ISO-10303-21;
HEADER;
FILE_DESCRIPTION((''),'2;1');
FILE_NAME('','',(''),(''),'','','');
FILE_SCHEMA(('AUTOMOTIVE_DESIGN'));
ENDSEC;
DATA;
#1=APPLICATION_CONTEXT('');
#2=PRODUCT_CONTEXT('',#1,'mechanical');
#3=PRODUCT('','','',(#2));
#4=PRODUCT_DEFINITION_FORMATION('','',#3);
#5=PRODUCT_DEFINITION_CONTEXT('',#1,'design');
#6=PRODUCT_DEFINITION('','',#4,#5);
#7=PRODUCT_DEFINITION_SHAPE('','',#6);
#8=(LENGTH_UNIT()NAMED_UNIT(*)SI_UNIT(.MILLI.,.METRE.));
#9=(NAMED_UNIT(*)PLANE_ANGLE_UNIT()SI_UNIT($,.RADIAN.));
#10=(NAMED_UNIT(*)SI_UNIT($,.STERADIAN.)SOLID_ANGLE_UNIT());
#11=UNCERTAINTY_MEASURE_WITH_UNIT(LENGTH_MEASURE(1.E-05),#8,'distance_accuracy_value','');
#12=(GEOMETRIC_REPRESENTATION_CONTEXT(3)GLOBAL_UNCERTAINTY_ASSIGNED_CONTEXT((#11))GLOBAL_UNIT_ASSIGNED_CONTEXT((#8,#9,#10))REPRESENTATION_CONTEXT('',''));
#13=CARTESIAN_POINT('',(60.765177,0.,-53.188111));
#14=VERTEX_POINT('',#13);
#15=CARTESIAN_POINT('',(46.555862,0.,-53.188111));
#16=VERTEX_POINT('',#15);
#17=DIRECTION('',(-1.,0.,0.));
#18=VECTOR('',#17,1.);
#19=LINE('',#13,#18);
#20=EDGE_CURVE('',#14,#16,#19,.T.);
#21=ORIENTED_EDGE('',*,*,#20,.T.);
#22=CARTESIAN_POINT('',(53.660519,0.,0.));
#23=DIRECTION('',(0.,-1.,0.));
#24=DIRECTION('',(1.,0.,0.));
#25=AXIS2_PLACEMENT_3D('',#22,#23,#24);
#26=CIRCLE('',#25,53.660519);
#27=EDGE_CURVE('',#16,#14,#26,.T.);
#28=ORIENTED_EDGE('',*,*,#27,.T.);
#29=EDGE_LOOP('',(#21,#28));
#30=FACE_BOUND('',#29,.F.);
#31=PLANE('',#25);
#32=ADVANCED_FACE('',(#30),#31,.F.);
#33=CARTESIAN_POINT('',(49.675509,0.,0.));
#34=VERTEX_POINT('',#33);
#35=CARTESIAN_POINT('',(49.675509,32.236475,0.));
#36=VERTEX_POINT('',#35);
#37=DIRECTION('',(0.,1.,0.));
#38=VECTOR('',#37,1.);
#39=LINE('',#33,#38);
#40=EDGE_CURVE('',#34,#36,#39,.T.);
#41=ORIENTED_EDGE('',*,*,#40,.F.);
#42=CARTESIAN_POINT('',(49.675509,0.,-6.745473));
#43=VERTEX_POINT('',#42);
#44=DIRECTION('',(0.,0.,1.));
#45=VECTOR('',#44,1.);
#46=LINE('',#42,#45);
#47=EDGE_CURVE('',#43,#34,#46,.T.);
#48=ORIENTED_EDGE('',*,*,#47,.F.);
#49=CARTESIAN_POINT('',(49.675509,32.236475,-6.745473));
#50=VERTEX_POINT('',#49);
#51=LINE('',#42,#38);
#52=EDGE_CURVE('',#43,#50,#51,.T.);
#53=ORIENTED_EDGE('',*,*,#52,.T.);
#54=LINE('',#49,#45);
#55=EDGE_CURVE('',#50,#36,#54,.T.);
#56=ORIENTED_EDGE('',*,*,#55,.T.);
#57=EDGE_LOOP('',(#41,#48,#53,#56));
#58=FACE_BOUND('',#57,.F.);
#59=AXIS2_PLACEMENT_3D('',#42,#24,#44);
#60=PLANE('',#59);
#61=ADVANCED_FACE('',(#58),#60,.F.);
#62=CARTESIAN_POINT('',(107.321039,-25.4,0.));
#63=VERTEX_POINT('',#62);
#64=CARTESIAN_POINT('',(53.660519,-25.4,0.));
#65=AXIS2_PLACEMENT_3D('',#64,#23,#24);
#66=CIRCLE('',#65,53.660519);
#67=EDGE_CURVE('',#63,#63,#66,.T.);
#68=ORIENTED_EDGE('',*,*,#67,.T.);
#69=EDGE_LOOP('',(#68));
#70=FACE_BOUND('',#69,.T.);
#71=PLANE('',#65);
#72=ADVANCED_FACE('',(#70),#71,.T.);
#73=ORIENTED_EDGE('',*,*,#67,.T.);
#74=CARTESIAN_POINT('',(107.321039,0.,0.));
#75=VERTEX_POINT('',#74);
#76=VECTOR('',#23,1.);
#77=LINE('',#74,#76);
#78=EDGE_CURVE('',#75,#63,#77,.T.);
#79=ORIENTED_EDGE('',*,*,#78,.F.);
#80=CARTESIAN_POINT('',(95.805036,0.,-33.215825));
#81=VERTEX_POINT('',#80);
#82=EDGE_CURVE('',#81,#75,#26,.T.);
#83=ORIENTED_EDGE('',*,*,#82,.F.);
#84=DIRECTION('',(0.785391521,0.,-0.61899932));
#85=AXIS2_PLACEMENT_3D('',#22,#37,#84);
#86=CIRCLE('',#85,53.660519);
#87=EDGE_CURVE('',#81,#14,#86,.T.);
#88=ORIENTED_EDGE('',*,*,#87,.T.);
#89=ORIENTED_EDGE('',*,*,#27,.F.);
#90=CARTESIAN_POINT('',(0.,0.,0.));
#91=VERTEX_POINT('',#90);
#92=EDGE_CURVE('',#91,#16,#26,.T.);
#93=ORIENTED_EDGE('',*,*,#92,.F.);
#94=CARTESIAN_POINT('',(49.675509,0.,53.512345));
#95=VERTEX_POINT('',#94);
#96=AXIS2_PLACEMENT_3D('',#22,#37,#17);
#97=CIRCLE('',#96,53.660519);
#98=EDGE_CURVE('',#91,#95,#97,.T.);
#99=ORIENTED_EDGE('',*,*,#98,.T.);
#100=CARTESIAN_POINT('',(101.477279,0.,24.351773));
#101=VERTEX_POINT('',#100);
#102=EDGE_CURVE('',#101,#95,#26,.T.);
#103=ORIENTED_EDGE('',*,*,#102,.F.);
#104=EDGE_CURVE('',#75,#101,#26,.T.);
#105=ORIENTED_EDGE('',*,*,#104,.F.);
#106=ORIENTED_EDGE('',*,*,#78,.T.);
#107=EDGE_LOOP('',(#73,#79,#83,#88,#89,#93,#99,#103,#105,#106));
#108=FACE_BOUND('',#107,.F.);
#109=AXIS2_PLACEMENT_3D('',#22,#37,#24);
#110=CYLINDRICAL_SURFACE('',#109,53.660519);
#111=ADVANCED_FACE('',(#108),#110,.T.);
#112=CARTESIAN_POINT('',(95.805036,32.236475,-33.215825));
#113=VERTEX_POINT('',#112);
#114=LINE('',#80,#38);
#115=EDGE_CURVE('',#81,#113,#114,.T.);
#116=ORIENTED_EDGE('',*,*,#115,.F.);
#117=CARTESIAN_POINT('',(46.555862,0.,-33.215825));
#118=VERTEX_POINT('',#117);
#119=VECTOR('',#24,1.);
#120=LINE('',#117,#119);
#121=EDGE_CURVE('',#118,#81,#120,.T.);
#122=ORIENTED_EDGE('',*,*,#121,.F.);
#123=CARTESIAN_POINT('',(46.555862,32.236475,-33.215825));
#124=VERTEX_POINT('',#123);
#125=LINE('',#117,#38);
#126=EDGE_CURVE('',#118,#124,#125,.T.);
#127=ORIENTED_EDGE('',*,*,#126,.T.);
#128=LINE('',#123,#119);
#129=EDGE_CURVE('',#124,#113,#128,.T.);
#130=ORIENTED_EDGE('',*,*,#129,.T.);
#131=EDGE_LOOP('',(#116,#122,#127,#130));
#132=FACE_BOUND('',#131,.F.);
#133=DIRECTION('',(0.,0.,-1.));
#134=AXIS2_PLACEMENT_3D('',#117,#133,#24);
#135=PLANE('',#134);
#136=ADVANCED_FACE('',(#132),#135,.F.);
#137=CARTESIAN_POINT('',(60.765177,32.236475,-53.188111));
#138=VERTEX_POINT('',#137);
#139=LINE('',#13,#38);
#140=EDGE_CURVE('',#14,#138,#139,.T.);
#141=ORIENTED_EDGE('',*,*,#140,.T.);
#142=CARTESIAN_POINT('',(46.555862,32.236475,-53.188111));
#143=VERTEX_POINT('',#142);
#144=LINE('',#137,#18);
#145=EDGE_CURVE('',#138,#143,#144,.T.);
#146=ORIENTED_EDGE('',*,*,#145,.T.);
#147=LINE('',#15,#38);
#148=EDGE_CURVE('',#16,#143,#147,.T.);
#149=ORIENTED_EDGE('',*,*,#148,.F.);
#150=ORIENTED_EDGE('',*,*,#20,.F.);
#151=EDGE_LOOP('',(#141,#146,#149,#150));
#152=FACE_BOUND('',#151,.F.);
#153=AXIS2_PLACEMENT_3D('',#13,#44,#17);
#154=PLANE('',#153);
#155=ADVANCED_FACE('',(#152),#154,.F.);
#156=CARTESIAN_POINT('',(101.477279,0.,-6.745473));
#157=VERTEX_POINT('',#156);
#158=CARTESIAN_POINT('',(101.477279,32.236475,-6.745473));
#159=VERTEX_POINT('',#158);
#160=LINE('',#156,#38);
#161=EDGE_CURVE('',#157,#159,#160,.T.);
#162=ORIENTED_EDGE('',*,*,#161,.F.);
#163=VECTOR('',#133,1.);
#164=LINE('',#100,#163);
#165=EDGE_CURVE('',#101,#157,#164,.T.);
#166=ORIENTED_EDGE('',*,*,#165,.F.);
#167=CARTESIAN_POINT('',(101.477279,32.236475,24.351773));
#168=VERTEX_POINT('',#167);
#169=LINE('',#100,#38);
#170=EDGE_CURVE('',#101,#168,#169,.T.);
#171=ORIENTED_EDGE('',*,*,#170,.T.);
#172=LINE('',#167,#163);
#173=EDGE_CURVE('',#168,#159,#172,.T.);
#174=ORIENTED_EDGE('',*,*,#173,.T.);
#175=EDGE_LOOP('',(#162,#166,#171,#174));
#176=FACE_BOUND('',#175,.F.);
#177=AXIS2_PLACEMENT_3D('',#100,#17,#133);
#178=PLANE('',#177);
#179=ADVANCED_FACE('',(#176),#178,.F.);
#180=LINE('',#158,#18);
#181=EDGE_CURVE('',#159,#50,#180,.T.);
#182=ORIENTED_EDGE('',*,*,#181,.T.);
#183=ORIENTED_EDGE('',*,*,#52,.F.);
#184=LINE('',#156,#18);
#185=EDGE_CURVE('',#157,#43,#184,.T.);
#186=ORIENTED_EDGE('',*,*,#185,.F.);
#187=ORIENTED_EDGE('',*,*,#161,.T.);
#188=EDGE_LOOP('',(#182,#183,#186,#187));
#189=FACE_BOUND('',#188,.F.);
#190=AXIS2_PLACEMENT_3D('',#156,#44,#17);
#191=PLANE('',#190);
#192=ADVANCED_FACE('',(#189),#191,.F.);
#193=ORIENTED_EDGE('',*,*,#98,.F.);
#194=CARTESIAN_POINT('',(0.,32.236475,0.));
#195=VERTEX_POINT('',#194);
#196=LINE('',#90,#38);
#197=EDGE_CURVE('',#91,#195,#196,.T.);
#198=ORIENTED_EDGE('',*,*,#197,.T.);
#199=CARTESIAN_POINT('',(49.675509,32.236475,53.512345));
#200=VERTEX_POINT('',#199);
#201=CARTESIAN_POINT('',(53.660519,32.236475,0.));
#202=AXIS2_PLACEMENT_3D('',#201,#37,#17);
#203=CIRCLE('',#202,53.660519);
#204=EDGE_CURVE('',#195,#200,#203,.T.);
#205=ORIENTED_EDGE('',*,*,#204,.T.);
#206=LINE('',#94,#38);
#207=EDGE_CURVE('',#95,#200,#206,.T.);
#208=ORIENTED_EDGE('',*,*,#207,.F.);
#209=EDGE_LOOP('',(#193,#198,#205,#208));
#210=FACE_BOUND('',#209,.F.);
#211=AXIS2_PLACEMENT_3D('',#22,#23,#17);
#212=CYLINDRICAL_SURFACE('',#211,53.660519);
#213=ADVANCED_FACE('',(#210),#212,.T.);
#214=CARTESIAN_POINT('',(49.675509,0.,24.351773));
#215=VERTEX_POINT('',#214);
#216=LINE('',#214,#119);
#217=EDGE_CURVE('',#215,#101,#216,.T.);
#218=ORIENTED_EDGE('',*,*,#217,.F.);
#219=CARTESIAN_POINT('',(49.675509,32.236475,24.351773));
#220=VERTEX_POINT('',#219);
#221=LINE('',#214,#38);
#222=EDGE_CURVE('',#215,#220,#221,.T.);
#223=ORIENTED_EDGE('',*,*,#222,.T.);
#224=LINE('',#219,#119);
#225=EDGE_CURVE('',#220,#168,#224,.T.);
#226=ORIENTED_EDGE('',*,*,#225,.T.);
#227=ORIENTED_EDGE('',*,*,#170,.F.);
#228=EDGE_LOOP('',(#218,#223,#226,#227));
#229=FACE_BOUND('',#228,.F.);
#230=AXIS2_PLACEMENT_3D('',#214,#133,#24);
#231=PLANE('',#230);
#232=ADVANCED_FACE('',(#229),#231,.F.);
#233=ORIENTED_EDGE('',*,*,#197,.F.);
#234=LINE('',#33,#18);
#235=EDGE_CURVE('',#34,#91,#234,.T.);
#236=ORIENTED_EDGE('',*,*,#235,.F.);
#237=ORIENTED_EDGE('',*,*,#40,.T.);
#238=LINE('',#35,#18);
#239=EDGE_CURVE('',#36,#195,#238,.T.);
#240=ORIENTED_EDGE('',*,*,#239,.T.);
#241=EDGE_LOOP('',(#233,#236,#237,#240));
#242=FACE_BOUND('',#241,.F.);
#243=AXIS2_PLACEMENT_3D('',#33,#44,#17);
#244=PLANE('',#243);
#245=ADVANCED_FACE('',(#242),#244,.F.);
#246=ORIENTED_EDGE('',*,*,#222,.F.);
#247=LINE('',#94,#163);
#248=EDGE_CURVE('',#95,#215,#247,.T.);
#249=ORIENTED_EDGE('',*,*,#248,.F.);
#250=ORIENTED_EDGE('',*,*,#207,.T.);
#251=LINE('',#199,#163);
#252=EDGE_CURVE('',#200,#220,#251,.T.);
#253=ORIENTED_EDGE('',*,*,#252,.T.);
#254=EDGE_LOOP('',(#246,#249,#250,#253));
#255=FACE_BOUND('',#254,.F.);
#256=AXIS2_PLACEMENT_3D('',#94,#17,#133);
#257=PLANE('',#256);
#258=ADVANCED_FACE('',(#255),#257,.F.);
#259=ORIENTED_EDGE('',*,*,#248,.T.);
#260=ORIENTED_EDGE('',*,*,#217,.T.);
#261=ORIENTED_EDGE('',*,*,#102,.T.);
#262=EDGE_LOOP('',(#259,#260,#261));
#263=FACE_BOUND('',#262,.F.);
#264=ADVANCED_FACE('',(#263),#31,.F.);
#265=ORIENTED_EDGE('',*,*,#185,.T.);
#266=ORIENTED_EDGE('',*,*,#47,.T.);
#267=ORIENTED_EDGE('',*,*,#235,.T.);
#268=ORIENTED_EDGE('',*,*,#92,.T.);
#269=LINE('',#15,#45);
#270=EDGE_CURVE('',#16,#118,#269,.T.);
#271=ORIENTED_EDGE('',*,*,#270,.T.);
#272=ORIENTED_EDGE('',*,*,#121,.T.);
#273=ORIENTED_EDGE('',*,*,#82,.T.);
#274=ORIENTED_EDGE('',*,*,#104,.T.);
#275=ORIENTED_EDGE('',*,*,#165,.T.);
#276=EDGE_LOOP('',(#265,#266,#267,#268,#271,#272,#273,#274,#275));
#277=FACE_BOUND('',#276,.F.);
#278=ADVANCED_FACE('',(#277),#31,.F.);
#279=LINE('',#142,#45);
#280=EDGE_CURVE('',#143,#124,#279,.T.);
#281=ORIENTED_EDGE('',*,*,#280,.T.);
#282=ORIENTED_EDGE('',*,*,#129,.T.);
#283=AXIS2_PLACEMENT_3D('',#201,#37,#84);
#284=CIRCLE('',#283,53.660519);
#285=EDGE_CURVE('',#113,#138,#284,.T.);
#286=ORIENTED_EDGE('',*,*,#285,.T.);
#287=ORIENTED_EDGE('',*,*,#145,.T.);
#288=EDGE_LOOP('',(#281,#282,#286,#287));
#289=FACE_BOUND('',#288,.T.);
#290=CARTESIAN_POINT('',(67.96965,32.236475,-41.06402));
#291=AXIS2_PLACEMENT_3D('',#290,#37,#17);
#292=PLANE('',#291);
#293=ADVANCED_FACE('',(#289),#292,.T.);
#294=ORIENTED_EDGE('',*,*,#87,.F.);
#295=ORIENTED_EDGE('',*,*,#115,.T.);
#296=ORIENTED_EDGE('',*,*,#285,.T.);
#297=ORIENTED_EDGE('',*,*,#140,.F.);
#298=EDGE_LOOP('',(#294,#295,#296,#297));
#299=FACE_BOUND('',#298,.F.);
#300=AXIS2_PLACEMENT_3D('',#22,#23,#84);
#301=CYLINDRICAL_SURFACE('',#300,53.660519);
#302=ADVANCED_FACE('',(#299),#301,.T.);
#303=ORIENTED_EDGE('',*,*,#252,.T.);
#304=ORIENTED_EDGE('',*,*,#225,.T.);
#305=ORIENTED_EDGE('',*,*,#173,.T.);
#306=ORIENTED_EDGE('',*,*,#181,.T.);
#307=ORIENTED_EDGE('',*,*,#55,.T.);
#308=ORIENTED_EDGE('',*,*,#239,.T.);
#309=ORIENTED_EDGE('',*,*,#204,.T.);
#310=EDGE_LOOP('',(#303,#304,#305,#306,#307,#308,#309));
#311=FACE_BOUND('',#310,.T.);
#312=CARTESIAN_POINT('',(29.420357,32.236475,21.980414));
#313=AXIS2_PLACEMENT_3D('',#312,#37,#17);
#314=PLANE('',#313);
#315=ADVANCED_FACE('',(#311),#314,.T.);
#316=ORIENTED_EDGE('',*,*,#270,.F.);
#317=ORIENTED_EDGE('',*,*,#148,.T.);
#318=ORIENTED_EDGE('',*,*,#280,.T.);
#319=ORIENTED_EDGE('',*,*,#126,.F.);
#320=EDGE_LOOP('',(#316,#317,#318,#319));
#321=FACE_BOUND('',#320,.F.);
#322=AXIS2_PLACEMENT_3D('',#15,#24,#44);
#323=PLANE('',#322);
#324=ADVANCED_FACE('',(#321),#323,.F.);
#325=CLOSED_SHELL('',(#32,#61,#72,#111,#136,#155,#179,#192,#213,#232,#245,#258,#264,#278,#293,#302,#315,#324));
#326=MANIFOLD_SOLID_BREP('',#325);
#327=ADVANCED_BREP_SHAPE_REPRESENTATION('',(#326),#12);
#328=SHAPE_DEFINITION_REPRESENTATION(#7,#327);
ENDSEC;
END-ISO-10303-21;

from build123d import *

# Parameters (mm, degrees)
F0_R     = 53.6605194211
F1_DEPTH = 25.4
F3_DEPTH = 32.2364754975


with BuildPart() as f1:
    # F0 (on Front) → F1 (new body)
    with BuildSketch(Plane.XZ):
        with Locations((53.6605194211, 0)):
            Circle(F0_R)
    extrude(amount=F1_DEPTH)

    # F2 (on face) → F3 (join)
    with BuildSketch(Plane(origin=(0, 0, 0), x_dir=(-1, 0, 0), z_dir=(0, 1, 0))):
        with BuildLine():
            Line((-49.6755093336, 24.3517733055), (-49.6755093336, 0))
            Line((-49.6755093336, 0), (0, 0))
            ThreePointArc((0, 0), (-14.3331176779, 36.5076268289), (-49.6755093336, 53.512344736))
            Line((-49.6755093336, 53.512344736), (-49.6755093336, 24.3517733055))
        make_face()
        Polygon((-101.477278841, -6.7454725504), (-49.6755093336, -6.7454725504), (-49.6755093336, 0), (-49.6755093336, 24.3517733055), (-101.477278841, 24.3517733055), align=None)
        with BuildLine():
            Line((-46.5558620227, -33.2158250568), (-49.6755093336, -33.2158250568))
            Line((-49.6755093336, -33.2158250568), (-95.8050363876, -33.2158250568))
            ThreePointArc((-95.8050363876, -33.2158250568), (-80.2329364873, -46.6192878088), (-60.7651768195, -53.1881113388))
            Line((-60.7651768195, -53.1881113388), (-46.5558620227, -53.1881113388))
            Line((-46.5558620227, -53.1881113388), (-46.5558620227, -33.2158250568))
        make_face()
    extrude(amount=F3_DEPTH)


solid = f1.part
